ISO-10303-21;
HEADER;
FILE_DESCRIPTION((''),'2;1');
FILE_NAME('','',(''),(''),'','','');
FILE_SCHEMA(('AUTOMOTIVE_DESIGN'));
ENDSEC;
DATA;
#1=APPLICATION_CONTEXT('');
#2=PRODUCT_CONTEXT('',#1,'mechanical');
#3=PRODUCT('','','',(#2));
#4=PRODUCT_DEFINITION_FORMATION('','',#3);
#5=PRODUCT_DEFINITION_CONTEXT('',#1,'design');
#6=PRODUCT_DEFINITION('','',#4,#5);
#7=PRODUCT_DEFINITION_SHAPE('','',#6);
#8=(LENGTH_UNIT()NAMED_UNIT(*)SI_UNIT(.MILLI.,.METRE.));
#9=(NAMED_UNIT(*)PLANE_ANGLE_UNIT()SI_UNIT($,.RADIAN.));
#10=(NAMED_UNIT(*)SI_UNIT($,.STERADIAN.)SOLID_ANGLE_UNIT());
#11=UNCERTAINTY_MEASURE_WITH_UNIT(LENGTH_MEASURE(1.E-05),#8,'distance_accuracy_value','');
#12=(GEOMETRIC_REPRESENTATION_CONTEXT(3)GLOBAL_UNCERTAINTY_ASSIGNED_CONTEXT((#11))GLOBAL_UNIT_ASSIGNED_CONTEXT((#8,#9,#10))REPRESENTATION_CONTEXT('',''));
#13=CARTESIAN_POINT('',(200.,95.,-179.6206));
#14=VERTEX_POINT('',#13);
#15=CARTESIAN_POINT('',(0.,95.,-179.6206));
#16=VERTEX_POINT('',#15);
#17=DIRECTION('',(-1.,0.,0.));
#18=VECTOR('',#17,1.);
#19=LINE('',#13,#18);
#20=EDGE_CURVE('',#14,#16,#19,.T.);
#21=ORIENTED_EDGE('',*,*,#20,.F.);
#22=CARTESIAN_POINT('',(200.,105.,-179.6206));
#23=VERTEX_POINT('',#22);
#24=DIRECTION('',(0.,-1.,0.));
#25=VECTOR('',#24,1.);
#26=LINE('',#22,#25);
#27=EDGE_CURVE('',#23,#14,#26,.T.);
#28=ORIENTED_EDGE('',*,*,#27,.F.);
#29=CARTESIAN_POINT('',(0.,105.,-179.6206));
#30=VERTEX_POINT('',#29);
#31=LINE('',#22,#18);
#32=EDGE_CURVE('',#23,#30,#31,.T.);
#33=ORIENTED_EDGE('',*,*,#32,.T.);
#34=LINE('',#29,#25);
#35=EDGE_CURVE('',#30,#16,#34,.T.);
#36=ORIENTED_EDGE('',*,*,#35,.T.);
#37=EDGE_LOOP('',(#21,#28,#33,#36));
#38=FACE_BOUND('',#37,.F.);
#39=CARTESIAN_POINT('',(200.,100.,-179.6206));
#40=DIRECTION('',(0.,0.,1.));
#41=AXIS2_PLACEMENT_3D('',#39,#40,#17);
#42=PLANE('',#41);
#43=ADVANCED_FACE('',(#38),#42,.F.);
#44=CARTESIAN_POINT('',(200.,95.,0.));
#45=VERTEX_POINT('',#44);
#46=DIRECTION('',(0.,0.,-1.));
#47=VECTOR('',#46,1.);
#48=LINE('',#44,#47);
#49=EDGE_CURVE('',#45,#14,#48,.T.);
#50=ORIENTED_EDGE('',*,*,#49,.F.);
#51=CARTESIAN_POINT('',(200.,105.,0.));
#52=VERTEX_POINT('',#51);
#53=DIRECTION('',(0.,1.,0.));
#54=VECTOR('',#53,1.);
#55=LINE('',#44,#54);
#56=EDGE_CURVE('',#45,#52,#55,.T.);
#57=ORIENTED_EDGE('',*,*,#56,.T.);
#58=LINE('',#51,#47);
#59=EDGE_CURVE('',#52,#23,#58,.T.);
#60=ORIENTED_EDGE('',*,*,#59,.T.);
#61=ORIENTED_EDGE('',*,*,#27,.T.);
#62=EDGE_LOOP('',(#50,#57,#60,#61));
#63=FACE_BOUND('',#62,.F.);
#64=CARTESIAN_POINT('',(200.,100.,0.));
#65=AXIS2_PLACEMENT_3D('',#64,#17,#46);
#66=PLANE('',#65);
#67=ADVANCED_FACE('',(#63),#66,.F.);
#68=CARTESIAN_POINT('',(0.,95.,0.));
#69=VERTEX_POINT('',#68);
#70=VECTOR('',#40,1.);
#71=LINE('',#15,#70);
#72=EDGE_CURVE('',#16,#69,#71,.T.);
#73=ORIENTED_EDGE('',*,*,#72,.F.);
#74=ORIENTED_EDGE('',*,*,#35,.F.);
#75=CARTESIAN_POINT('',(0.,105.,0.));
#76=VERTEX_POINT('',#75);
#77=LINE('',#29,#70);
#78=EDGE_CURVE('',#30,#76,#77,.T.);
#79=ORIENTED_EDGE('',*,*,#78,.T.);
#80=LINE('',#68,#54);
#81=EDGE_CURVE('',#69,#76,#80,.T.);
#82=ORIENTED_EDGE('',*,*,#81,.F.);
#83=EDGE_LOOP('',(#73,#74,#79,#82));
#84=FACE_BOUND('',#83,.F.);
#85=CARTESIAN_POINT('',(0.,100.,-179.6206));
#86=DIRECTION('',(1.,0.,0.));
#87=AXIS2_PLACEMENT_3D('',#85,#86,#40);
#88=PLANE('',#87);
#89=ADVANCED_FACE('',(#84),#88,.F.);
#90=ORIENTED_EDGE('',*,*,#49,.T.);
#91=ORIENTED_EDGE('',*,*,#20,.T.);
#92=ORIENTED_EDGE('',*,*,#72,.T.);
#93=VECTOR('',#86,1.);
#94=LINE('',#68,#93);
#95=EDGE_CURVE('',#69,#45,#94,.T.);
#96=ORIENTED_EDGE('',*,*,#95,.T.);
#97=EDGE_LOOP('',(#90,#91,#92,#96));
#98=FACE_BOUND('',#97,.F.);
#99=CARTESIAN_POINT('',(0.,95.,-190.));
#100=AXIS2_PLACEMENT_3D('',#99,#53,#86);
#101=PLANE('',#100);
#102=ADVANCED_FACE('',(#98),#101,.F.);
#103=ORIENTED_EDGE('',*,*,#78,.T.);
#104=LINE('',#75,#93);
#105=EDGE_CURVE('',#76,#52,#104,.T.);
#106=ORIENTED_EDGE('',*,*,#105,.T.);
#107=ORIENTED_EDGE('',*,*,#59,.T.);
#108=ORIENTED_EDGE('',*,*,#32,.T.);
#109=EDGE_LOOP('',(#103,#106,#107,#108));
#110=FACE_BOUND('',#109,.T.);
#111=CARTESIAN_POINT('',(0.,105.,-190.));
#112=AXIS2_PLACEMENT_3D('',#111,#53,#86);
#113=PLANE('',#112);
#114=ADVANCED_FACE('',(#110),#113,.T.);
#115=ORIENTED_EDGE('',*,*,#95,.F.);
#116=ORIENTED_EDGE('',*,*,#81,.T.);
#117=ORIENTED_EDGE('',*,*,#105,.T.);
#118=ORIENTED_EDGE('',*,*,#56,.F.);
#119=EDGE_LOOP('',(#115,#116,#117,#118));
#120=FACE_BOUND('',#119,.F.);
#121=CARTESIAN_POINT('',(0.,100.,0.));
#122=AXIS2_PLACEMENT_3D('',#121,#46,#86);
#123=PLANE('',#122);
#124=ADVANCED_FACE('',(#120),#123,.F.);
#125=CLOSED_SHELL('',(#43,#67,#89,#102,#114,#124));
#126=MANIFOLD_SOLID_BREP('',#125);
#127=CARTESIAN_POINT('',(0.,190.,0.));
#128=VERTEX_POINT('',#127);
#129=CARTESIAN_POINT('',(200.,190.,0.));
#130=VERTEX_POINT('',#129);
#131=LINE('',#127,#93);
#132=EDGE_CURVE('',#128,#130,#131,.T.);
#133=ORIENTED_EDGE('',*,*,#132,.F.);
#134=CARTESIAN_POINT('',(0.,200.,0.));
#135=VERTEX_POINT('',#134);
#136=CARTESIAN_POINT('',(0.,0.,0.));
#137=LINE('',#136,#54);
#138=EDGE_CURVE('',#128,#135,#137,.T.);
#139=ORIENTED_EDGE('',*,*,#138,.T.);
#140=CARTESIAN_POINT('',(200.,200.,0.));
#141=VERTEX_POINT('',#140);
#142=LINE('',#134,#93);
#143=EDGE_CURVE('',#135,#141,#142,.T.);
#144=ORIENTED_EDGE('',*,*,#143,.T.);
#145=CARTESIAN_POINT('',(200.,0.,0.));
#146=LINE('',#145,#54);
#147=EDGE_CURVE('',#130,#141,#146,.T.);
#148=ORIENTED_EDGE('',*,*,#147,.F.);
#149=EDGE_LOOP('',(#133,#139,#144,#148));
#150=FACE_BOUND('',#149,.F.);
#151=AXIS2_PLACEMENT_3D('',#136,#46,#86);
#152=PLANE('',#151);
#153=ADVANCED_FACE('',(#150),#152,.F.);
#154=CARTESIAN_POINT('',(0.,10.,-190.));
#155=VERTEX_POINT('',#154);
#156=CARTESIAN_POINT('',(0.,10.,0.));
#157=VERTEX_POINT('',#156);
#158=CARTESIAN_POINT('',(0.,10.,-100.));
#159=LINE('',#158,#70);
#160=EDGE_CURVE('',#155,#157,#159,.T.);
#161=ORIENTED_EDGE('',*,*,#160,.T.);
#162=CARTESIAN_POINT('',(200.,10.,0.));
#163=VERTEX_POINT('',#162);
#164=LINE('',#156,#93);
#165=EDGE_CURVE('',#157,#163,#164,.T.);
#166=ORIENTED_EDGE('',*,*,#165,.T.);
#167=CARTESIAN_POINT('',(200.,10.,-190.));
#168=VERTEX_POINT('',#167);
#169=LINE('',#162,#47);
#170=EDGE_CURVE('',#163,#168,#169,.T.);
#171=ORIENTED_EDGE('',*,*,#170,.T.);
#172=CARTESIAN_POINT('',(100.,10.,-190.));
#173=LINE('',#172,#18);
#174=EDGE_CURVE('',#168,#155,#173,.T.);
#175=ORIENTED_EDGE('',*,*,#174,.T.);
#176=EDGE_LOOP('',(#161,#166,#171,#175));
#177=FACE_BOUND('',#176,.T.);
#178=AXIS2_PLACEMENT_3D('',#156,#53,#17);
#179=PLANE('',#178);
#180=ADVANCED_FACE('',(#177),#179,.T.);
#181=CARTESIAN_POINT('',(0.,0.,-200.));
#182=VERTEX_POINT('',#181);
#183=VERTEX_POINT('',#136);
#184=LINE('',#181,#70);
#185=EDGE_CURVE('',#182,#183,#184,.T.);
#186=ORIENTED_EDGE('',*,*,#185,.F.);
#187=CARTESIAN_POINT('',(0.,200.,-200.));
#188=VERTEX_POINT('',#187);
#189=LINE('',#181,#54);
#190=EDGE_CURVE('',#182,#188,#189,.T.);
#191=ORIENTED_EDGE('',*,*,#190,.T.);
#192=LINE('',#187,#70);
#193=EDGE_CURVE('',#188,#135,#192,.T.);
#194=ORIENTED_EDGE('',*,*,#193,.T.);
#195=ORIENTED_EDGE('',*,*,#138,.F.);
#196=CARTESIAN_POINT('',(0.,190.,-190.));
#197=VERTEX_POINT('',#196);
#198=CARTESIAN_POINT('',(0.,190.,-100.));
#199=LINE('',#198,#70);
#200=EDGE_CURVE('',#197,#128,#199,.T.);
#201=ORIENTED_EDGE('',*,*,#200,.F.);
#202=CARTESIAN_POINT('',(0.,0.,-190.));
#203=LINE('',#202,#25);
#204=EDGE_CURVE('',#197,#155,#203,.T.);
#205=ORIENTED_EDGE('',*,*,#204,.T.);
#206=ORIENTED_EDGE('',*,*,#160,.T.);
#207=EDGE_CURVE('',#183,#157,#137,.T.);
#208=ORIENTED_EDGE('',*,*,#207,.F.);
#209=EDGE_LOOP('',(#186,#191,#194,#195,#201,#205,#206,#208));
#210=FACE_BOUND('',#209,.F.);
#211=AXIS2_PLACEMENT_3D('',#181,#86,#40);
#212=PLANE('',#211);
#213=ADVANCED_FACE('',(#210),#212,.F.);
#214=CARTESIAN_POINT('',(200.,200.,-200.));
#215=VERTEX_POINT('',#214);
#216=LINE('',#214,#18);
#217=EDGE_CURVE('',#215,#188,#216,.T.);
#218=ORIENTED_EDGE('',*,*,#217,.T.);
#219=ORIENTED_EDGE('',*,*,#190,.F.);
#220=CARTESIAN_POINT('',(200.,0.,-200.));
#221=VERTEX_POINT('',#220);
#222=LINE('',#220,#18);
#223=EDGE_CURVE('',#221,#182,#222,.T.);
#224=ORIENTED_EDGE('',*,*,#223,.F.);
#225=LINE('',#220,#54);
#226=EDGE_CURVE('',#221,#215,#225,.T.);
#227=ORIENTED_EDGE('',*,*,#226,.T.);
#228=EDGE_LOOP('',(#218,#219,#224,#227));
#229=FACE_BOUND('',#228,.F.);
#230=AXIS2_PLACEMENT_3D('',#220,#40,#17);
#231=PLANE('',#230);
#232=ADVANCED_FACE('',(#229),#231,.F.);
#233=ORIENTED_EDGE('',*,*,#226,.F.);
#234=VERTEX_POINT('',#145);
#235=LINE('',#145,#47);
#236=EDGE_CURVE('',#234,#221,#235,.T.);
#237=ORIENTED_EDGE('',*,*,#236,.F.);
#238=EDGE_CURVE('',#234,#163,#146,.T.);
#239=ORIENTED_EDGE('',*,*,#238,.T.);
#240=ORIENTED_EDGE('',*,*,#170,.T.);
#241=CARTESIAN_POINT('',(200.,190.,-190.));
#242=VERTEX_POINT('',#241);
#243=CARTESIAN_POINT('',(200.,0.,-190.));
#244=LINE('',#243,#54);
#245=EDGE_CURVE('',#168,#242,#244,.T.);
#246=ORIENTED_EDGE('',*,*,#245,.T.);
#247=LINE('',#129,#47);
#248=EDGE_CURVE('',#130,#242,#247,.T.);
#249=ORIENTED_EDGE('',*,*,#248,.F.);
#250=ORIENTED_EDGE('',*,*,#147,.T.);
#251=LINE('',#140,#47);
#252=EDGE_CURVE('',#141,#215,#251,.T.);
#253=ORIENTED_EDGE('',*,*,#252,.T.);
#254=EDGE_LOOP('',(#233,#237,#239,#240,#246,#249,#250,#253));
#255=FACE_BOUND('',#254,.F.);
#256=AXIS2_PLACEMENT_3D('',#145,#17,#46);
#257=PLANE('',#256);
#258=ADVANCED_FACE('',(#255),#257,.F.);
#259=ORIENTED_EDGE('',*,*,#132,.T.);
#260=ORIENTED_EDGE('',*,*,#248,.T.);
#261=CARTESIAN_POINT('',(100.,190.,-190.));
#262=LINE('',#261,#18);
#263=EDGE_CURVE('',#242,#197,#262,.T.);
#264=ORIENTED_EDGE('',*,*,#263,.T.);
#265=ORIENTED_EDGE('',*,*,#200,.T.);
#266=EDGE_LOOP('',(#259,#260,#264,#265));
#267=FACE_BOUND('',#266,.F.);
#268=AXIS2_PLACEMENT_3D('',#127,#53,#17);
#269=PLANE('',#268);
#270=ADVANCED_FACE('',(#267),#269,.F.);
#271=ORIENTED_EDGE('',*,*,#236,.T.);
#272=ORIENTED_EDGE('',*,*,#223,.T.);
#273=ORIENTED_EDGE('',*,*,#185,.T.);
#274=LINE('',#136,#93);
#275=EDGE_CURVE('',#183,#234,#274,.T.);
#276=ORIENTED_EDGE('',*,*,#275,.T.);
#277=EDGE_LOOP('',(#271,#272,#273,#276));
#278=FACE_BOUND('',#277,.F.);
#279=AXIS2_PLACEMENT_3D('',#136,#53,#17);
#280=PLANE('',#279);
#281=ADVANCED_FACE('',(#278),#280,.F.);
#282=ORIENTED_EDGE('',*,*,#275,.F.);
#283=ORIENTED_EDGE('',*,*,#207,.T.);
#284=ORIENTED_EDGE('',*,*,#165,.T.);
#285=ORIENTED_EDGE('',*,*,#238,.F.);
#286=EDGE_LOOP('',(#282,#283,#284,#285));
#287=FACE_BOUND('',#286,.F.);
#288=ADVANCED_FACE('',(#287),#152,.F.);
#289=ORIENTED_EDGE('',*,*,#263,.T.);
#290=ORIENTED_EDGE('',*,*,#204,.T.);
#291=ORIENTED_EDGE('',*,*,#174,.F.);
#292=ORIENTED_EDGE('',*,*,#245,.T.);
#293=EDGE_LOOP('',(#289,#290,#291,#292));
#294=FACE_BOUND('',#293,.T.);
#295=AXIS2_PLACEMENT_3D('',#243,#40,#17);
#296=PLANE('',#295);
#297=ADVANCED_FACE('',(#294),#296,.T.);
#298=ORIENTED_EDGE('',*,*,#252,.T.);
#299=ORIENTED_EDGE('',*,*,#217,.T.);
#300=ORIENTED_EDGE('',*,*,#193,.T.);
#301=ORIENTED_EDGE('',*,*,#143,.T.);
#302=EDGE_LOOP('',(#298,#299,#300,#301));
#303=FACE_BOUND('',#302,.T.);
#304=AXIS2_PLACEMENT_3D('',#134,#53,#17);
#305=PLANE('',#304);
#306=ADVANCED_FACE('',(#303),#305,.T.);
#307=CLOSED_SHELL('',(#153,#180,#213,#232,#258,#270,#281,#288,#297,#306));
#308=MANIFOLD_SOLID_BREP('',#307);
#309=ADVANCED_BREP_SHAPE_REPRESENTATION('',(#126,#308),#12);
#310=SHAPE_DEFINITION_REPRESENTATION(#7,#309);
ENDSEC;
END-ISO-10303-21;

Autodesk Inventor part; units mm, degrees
ref_plane "YZ Plane" through (0, 0, 0) normal (1, 0, 0) x (0, 1, 0)
ref_plane "XZ Plane" through (0, 0, 0) normal (0, 1, 0) x (-1, 0, 0)
ref_plane "XY Plane" through (0, 0, 0) normal (0, 0, 1) x (1, 0, 0)
sketch "Sketch1" plane through (0, 0, 0) normal (0, 1, 0) x (-1, 0, 0)
  line L0 (0, 0) -> (-200, 0)
  line L1 (-200, 0) -> (-200, -200)
  line L2 (-200, -200) -> (0, -200)
  line L3 (0, -200) -> (0, 0)
  dimension "d0" = 200
  dimension "d1" = 200
extrude "Extrusion1" add sketch "Sketch1" along normal blind 200
shell "Shell1" thickness 10 removed faces 3 at (66.6667, 66.6667, 0) at (0, 66.6667, -133.3333) at (200, 66.6667, -66.6667)
ref_plane "Work Plane1" through (0, 100, -190) normal (0, 1, 0) x (1, 0, 0)
sketch "Sketch2" plane through (0, 100, -190) normal (0, 1, 0) x (1, 0, 0)
  point P0 (0, -190)
sketch "Sketch3" plane through (0, 100, -190) normal (0, 1, 0) x (1, 0, 0)
  line L0 (0, -190) -> (200, -190)
  line L1 (200, -190) -> (200, -10.3794)
  line L2 (200, -10.3794) -> (0, -10.3794)
  line L3 (0, -10.3794) -> (0, -190)
extrude "Extrusion2" add sketch "Sketch3" along normal mid plane 10
properties part number "Holstrer"
